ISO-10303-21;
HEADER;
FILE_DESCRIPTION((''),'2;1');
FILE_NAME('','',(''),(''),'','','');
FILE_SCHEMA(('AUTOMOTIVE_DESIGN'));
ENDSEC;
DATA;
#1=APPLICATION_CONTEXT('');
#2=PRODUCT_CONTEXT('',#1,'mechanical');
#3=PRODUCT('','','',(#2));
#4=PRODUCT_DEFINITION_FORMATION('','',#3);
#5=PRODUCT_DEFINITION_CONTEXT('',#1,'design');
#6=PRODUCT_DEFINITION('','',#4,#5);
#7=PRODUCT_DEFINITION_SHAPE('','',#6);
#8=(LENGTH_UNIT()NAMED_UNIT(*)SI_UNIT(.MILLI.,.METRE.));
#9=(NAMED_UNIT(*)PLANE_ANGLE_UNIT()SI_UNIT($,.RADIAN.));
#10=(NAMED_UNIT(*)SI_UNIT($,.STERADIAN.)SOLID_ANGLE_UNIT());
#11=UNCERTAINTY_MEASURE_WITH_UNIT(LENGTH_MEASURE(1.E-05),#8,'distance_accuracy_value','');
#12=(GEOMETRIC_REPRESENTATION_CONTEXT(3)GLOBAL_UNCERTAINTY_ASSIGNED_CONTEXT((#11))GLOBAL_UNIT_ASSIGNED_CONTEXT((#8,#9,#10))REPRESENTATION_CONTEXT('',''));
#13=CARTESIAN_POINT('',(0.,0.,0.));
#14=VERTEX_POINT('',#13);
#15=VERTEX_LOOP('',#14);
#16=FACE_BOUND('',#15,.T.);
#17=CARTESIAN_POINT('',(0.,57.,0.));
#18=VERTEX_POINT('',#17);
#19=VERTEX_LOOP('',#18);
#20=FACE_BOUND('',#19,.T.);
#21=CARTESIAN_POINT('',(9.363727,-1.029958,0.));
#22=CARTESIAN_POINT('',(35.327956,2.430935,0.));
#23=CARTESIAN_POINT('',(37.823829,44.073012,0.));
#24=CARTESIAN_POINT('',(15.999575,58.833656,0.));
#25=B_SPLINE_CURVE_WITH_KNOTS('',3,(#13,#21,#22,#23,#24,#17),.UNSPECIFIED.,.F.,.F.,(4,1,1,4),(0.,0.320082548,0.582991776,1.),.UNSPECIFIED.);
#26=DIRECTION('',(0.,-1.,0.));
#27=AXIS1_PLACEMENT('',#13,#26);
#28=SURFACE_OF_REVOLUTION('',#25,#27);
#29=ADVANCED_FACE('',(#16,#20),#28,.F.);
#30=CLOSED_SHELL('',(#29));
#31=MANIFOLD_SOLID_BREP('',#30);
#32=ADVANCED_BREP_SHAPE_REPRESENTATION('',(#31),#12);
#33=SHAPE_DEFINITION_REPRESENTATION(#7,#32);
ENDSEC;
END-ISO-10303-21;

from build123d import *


with BuildPart() as part:
    # Croquis1 → Revolución1 (revolve)
    with BuildSketch(Plane.XY):
        with BuildLine():
            Line((0, 0), (0, 57))
            add(Edge.make_bspline(
                [(0, 0), (9.363727443, -1.029957566), (35.327955924, 2.430934502), (37.823828868, 44.073012437), (15.999574749, 58.833656121), (0, 57)],
                knots=[0, 0, 0, 0, 0.320082548, 0.582991776, 1, 1, 1, 1], degree=3))
        make_face()
    revolve(axis=Axis((0, 0, 0), (0, 1, 0)))


solid = part.part
